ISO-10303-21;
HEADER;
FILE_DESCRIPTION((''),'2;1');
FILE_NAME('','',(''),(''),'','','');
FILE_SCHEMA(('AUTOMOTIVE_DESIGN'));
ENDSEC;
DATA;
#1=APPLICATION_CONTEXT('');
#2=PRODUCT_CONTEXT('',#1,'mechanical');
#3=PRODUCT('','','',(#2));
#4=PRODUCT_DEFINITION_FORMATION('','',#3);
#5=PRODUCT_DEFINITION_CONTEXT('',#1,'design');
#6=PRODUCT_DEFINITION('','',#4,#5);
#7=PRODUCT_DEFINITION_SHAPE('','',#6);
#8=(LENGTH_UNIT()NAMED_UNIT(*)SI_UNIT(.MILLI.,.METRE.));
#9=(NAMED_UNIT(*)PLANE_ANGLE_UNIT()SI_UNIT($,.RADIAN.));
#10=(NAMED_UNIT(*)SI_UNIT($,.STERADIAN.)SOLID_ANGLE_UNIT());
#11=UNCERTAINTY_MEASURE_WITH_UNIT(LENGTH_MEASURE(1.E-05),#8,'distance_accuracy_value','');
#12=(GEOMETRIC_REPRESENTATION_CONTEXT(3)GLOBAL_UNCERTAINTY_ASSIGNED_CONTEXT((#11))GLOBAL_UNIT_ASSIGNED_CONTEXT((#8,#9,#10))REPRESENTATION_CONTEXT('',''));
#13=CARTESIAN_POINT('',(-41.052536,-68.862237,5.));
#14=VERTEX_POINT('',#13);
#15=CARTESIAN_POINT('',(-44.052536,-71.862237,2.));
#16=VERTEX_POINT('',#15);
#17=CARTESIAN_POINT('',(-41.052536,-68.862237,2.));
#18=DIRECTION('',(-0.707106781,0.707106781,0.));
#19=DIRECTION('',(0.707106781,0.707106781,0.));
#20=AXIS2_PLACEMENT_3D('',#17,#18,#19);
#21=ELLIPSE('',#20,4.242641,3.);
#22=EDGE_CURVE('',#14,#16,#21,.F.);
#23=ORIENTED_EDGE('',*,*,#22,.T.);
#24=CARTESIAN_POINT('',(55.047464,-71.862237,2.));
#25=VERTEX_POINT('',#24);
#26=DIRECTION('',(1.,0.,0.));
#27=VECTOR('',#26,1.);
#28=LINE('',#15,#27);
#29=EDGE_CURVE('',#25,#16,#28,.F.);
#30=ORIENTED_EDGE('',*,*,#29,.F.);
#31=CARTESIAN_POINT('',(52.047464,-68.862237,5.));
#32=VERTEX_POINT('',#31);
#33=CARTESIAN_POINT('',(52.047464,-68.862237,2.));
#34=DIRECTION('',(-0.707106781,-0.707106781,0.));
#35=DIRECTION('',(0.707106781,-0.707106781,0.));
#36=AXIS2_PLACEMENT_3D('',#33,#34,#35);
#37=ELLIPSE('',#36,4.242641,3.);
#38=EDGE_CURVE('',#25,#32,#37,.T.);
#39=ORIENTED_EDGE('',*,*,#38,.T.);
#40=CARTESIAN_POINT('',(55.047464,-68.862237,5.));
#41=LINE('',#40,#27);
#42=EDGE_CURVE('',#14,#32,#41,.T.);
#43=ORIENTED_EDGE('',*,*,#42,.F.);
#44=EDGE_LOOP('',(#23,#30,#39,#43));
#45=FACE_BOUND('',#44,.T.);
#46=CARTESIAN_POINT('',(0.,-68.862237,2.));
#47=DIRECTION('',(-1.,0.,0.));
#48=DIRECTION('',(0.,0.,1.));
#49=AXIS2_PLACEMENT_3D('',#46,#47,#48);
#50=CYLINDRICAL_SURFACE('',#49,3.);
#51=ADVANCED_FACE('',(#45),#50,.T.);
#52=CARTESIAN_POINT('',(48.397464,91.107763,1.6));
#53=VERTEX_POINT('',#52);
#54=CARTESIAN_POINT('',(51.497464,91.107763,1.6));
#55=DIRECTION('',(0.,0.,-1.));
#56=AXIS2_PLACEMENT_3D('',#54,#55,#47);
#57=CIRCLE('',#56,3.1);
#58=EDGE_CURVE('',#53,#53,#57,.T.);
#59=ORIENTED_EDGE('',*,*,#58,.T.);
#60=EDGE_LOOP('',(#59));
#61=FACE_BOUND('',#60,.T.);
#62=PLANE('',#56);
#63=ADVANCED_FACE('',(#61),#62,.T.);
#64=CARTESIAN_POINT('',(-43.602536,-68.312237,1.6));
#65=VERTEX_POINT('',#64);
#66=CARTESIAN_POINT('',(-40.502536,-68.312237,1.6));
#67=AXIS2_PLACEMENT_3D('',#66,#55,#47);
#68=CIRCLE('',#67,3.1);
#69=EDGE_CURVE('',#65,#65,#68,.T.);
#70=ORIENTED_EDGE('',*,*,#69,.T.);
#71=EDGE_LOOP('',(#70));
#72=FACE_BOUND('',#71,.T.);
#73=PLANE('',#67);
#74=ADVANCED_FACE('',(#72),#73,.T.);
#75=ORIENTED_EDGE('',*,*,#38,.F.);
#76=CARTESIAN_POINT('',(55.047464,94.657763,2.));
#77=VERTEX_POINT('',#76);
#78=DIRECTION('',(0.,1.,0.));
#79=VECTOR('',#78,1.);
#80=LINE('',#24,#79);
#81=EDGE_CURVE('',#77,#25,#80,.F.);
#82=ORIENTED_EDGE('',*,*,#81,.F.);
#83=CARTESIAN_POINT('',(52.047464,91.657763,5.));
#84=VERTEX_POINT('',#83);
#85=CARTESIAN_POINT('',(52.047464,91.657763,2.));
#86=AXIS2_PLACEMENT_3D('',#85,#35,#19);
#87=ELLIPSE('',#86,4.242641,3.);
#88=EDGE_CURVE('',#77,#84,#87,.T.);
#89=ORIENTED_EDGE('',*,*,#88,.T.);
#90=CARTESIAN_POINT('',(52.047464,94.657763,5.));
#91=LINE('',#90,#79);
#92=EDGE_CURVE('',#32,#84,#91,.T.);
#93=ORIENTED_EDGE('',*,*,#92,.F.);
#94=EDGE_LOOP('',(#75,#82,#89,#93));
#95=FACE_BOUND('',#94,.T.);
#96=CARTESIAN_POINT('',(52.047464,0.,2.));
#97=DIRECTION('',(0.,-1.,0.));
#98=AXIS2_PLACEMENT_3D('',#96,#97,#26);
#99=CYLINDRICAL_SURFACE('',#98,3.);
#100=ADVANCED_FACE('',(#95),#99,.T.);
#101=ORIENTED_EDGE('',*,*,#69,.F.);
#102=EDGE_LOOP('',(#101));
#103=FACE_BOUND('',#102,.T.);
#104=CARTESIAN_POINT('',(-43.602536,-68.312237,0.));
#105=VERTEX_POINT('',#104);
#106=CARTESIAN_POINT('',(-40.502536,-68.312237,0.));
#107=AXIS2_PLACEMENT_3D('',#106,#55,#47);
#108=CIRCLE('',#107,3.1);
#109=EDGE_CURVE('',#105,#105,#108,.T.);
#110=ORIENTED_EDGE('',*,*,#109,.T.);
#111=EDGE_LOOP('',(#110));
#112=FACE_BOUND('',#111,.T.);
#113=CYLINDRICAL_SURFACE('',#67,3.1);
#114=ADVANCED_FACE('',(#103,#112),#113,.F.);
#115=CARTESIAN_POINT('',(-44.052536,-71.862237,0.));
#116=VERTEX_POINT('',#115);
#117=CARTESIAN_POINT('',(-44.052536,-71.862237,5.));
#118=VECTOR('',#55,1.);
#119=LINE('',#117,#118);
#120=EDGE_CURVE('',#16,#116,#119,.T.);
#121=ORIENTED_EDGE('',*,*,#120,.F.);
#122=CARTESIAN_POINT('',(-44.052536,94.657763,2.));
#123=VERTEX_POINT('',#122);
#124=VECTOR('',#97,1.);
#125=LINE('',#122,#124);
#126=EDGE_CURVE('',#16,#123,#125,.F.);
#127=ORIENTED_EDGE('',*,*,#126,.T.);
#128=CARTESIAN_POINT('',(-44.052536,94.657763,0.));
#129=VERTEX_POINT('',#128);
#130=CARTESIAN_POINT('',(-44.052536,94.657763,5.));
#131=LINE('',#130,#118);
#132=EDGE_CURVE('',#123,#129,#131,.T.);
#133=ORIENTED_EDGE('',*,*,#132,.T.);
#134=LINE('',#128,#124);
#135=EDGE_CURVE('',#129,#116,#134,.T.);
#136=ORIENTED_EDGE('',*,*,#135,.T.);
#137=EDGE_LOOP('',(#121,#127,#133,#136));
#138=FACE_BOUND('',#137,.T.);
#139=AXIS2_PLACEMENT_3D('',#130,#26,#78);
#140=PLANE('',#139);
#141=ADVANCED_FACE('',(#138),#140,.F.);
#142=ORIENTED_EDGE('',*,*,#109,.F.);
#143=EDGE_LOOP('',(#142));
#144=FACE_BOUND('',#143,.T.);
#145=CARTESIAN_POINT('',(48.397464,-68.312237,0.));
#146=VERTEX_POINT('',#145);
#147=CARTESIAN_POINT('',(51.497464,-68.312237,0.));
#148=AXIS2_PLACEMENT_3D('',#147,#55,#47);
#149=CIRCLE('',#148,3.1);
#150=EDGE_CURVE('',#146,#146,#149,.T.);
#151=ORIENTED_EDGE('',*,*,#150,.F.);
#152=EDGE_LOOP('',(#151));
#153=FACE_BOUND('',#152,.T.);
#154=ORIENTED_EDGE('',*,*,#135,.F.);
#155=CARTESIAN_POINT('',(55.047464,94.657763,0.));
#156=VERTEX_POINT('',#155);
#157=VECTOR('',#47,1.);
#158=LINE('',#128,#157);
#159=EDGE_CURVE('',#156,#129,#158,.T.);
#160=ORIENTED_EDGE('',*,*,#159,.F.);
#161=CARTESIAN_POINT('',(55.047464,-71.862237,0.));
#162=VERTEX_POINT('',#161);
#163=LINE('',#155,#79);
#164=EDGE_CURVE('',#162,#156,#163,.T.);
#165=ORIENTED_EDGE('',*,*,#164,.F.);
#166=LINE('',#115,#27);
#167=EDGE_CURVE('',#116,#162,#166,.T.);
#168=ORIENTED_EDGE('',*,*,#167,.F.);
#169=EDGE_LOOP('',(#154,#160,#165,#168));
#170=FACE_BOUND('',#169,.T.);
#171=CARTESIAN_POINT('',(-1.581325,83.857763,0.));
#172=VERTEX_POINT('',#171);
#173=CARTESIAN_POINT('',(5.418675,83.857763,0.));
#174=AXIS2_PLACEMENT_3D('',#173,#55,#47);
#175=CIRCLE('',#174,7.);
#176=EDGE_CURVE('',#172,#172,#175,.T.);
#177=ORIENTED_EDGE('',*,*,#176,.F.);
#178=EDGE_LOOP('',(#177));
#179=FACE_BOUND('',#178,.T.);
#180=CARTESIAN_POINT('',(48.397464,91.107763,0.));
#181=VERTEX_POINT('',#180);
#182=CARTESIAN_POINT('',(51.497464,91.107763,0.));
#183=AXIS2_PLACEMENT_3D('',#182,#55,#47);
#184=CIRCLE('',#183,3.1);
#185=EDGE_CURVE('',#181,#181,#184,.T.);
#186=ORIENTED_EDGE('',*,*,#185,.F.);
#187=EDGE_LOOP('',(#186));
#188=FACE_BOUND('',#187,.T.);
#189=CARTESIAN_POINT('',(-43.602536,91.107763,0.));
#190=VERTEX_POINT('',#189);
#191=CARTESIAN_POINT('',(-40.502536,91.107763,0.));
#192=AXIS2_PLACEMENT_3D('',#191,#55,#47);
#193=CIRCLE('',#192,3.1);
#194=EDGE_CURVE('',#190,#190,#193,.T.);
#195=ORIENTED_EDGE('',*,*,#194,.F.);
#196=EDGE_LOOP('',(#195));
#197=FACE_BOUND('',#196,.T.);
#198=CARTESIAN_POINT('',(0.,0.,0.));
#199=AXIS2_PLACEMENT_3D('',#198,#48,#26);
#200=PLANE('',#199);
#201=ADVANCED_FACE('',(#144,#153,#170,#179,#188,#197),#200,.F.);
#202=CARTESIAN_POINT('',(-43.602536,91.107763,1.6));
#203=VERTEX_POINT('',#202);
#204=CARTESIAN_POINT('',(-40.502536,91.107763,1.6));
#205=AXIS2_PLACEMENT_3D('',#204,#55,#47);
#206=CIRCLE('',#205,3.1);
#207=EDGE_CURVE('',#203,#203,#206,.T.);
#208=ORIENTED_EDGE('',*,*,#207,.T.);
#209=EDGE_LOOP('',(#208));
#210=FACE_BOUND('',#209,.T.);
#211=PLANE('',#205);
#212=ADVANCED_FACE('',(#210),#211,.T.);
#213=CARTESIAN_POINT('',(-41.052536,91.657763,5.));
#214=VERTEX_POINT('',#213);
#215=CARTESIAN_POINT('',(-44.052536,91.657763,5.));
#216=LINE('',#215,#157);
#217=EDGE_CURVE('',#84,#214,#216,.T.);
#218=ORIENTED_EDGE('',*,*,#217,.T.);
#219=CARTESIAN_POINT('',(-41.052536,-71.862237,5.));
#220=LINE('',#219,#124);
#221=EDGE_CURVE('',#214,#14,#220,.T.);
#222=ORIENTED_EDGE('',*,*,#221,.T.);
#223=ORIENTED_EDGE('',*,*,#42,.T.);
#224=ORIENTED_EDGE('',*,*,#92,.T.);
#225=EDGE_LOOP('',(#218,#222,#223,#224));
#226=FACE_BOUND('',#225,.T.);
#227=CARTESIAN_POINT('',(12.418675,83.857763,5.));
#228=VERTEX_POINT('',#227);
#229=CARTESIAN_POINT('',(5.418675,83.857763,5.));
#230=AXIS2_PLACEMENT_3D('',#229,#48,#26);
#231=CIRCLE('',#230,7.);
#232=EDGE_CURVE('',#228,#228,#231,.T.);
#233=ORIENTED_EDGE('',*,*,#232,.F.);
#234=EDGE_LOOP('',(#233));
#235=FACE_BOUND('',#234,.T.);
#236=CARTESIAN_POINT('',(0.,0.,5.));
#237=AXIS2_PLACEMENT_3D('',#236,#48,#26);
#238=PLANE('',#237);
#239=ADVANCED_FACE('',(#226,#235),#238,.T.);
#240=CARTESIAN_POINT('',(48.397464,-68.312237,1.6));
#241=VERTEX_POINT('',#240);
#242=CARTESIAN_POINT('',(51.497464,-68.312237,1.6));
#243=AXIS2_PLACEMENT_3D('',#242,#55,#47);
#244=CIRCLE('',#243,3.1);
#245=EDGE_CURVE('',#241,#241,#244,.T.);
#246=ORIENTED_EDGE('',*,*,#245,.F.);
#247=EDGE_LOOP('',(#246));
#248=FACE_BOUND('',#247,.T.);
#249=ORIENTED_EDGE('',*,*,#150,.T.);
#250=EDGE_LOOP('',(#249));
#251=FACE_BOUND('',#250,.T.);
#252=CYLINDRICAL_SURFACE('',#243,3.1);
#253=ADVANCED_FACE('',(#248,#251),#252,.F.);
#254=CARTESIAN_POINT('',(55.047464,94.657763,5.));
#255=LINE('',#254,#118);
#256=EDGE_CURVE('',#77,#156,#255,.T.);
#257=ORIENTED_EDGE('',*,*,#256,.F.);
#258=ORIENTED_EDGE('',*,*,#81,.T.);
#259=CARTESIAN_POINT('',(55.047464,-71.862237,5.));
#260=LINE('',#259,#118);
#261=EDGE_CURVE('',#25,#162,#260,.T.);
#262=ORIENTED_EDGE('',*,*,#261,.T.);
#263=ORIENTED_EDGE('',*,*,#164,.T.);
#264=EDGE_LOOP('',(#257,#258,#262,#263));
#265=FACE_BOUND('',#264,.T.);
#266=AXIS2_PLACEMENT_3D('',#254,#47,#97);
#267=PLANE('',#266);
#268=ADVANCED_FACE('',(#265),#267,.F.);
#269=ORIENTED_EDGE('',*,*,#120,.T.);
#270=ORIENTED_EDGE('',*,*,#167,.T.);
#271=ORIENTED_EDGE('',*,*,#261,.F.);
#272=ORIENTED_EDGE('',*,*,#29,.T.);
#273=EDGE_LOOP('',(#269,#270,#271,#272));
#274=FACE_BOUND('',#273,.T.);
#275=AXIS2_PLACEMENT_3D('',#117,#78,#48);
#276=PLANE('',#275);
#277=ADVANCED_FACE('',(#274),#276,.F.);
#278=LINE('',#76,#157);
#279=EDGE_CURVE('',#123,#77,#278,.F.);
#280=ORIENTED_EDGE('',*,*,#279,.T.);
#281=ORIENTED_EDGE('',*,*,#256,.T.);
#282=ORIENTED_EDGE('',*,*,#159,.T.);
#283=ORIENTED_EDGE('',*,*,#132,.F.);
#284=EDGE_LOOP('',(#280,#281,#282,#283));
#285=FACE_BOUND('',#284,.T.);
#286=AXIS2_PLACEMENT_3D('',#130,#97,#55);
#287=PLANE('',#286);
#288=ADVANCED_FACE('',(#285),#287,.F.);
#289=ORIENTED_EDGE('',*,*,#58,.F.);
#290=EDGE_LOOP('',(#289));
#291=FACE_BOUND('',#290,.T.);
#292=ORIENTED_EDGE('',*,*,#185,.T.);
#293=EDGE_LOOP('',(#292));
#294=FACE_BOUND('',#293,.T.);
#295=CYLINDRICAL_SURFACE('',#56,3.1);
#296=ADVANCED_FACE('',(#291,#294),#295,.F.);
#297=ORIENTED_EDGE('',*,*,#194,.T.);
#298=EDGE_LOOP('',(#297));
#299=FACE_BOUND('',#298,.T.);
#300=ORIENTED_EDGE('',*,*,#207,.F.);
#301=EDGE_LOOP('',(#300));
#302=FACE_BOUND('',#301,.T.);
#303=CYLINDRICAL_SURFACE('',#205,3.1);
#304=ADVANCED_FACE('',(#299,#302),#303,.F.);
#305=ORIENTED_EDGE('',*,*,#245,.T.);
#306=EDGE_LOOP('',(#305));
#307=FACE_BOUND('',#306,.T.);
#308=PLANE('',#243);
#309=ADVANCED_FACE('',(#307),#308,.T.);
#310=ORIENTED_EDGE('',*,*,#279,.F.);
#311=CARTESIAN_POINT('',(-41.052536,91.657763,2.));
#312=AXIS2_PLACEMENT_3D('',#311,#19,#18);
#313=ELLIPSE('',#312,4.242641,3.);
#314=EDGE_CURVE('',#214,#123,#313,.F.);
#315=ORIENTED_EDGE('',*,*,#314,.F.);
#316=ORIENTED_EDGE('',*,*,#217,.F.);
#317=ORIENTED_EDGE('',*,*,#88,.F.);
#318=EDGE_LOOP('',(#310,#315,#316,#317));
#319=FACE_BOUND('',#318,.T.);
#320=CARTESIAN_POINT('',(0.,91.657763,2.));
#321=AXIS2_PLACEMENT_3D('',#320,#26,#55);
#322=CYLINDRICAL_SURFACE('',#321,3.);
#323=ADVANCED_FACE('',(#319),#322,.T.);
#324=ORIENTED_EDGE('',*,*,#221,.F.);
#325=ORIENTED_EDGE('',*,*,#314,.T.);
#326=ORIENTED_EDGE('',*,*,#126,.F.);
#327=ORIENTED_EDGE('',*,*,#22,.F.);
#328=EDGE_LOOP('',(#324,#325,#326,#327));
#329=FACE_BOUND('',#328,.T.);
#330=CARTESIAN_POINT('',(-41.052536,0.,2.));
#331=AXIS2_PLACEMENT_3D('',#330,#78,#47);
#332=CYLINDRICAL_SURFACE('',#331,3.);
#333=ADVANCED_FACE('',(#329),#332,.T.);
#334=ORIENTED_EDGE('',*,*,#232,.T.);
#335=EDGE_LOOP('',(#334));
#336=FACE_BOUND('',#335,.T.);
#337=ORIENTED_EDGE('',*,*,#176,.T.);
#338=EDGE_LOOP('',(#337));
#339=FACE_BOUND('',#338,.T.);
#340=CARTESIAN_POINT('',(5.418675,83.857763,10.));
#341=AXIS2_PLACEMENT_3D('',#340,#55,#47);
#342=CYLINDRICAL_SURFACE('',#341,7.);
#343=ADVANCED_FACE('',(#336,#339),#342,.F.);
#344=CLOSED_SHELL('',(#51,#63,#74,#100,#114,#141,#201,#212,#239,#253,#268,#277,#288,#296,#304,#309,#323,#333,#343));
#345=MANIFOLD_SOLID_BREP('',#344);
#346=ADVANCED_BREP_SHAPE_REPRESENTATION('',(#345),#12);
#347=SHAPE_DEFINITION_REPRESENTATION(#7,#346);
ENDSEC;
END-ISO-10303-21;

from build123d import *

# Parameters (mm, degrees)
ESBO_O1_W                = 99.1
ESBO_O1_H                = 166.52
RESSALTO_EXTRUS_O1_DEPTH = 5
FILETE1_R                = 3
ESBO_O2_R                = 3.1
CORTE_EXTRUS_O1_DEPTH    = 1.6
ESBO_O3_R                = 3.1
CORTE_EXTRUS_O2_DEPTH    = 1.6
ESBO_O4_R                = 3.1
CORTE_EXTRUS_O3_DEPTH    = 1.6
ESBO_O5_R                = 3.1
CORTE_EXTRUS_O4_DEPTH    = 1.6
ESBO_O6_R                = 7
CORTE_EXTRUS_O5_DEPTH    = 10


with BuildPart() as part:
    # Esboço1 → Ressalto-extrusão1 (new body)
    with BuildSketch(Plane.XY):
        with Locations((5.497464185, 11.397762804)):
            Rectangle(ESBO_O1_W, ESBO_O1_H)
    extrude(amount=RESSALTO_EXTRUS_O1_DEPTH)

    # Filete1
    filete1_edges = [part.edges().sort_by_distance(p)[0] for p in [
        (55.047464185, 11.397762804, 5),
        (5.497464185, 94.657762804, 5),
        (-44.052535815, 11.397762804, 5),
        (5.497464185, -71.862237196, 5),
    ]]
    fillet(filete1_edges, radius=FILETE1_R)

    # Esboço2 → Corte-extrusão1 (cut)
    with BuildSketch(Plane(origin=(0, 0, 0), x_dir=(-1, 0, 0), z_dir=(0, 0, -1))):
        with Locations((-51.497464185, 91.107762804)):
            Circle(ESBO_O2_R)
    extrude(amount=-CORTE_EXTRUS_O1_DEPTH, mode=Mode.SUBTRACT)

    # Esboço3 → Corte-extrusão2 (cut)
    with BuildSketch(Plane(origin=(0, 0, 0), x_dir=(-1, 0, 0), z_dir=(0, 0, -1))):
        with Locations((40.502535815, 91.107762804)):
            Circle(ESBO_O3_R)
    extrude(amount=-CORTE_EXTRUS_O2_DEPTH, mode=Mode.SUBTRACT)

    # Esboço4 → Corte-extrusão3 (cut)
    with BuildSketch(Plane(origin=(0, 0, 0), x_dir=(-1, 0, 0), z_dir=(0, 0, -1))):
        with Locations((-51.497464185, -68.312237196)):
            Circle(ESBO_O4_R)
    extrude(amount=-CORTE_EXTRUS_O3_DEPTH, mode=Mode.SUBTRACT)

    # Esboço5 → Corte-extrusão4 (cut)
    with BuildSketch(Plane(origin=(0, 0, 0), x_dir=(-1, 0, 0), z_dir=(0, 0, -1))):
        with Locations((40.502535815, -68.312237196)):
            Circle(ESBO_O5_R)
    extrude(amount=-CORTE_EXTRUS_O4_DEPTH, mode=Mode.SUBTRACT)

    # Esboço6 → Corte-extrusão5 (cut)
    with BuildSketch(Plane(origin=(0, 0, 0), x_dir=(-1, 0, 0), z_dir=(0, 0, -1))):
        with Locations((-5.41867497, 83.857762804)):
            Circle(ESBO_O6_R)
    extrude(amount=-CORTE_EXTRUS_O5_DEPTH, mode=Mode.SUBTRACT)


solid = part.part
